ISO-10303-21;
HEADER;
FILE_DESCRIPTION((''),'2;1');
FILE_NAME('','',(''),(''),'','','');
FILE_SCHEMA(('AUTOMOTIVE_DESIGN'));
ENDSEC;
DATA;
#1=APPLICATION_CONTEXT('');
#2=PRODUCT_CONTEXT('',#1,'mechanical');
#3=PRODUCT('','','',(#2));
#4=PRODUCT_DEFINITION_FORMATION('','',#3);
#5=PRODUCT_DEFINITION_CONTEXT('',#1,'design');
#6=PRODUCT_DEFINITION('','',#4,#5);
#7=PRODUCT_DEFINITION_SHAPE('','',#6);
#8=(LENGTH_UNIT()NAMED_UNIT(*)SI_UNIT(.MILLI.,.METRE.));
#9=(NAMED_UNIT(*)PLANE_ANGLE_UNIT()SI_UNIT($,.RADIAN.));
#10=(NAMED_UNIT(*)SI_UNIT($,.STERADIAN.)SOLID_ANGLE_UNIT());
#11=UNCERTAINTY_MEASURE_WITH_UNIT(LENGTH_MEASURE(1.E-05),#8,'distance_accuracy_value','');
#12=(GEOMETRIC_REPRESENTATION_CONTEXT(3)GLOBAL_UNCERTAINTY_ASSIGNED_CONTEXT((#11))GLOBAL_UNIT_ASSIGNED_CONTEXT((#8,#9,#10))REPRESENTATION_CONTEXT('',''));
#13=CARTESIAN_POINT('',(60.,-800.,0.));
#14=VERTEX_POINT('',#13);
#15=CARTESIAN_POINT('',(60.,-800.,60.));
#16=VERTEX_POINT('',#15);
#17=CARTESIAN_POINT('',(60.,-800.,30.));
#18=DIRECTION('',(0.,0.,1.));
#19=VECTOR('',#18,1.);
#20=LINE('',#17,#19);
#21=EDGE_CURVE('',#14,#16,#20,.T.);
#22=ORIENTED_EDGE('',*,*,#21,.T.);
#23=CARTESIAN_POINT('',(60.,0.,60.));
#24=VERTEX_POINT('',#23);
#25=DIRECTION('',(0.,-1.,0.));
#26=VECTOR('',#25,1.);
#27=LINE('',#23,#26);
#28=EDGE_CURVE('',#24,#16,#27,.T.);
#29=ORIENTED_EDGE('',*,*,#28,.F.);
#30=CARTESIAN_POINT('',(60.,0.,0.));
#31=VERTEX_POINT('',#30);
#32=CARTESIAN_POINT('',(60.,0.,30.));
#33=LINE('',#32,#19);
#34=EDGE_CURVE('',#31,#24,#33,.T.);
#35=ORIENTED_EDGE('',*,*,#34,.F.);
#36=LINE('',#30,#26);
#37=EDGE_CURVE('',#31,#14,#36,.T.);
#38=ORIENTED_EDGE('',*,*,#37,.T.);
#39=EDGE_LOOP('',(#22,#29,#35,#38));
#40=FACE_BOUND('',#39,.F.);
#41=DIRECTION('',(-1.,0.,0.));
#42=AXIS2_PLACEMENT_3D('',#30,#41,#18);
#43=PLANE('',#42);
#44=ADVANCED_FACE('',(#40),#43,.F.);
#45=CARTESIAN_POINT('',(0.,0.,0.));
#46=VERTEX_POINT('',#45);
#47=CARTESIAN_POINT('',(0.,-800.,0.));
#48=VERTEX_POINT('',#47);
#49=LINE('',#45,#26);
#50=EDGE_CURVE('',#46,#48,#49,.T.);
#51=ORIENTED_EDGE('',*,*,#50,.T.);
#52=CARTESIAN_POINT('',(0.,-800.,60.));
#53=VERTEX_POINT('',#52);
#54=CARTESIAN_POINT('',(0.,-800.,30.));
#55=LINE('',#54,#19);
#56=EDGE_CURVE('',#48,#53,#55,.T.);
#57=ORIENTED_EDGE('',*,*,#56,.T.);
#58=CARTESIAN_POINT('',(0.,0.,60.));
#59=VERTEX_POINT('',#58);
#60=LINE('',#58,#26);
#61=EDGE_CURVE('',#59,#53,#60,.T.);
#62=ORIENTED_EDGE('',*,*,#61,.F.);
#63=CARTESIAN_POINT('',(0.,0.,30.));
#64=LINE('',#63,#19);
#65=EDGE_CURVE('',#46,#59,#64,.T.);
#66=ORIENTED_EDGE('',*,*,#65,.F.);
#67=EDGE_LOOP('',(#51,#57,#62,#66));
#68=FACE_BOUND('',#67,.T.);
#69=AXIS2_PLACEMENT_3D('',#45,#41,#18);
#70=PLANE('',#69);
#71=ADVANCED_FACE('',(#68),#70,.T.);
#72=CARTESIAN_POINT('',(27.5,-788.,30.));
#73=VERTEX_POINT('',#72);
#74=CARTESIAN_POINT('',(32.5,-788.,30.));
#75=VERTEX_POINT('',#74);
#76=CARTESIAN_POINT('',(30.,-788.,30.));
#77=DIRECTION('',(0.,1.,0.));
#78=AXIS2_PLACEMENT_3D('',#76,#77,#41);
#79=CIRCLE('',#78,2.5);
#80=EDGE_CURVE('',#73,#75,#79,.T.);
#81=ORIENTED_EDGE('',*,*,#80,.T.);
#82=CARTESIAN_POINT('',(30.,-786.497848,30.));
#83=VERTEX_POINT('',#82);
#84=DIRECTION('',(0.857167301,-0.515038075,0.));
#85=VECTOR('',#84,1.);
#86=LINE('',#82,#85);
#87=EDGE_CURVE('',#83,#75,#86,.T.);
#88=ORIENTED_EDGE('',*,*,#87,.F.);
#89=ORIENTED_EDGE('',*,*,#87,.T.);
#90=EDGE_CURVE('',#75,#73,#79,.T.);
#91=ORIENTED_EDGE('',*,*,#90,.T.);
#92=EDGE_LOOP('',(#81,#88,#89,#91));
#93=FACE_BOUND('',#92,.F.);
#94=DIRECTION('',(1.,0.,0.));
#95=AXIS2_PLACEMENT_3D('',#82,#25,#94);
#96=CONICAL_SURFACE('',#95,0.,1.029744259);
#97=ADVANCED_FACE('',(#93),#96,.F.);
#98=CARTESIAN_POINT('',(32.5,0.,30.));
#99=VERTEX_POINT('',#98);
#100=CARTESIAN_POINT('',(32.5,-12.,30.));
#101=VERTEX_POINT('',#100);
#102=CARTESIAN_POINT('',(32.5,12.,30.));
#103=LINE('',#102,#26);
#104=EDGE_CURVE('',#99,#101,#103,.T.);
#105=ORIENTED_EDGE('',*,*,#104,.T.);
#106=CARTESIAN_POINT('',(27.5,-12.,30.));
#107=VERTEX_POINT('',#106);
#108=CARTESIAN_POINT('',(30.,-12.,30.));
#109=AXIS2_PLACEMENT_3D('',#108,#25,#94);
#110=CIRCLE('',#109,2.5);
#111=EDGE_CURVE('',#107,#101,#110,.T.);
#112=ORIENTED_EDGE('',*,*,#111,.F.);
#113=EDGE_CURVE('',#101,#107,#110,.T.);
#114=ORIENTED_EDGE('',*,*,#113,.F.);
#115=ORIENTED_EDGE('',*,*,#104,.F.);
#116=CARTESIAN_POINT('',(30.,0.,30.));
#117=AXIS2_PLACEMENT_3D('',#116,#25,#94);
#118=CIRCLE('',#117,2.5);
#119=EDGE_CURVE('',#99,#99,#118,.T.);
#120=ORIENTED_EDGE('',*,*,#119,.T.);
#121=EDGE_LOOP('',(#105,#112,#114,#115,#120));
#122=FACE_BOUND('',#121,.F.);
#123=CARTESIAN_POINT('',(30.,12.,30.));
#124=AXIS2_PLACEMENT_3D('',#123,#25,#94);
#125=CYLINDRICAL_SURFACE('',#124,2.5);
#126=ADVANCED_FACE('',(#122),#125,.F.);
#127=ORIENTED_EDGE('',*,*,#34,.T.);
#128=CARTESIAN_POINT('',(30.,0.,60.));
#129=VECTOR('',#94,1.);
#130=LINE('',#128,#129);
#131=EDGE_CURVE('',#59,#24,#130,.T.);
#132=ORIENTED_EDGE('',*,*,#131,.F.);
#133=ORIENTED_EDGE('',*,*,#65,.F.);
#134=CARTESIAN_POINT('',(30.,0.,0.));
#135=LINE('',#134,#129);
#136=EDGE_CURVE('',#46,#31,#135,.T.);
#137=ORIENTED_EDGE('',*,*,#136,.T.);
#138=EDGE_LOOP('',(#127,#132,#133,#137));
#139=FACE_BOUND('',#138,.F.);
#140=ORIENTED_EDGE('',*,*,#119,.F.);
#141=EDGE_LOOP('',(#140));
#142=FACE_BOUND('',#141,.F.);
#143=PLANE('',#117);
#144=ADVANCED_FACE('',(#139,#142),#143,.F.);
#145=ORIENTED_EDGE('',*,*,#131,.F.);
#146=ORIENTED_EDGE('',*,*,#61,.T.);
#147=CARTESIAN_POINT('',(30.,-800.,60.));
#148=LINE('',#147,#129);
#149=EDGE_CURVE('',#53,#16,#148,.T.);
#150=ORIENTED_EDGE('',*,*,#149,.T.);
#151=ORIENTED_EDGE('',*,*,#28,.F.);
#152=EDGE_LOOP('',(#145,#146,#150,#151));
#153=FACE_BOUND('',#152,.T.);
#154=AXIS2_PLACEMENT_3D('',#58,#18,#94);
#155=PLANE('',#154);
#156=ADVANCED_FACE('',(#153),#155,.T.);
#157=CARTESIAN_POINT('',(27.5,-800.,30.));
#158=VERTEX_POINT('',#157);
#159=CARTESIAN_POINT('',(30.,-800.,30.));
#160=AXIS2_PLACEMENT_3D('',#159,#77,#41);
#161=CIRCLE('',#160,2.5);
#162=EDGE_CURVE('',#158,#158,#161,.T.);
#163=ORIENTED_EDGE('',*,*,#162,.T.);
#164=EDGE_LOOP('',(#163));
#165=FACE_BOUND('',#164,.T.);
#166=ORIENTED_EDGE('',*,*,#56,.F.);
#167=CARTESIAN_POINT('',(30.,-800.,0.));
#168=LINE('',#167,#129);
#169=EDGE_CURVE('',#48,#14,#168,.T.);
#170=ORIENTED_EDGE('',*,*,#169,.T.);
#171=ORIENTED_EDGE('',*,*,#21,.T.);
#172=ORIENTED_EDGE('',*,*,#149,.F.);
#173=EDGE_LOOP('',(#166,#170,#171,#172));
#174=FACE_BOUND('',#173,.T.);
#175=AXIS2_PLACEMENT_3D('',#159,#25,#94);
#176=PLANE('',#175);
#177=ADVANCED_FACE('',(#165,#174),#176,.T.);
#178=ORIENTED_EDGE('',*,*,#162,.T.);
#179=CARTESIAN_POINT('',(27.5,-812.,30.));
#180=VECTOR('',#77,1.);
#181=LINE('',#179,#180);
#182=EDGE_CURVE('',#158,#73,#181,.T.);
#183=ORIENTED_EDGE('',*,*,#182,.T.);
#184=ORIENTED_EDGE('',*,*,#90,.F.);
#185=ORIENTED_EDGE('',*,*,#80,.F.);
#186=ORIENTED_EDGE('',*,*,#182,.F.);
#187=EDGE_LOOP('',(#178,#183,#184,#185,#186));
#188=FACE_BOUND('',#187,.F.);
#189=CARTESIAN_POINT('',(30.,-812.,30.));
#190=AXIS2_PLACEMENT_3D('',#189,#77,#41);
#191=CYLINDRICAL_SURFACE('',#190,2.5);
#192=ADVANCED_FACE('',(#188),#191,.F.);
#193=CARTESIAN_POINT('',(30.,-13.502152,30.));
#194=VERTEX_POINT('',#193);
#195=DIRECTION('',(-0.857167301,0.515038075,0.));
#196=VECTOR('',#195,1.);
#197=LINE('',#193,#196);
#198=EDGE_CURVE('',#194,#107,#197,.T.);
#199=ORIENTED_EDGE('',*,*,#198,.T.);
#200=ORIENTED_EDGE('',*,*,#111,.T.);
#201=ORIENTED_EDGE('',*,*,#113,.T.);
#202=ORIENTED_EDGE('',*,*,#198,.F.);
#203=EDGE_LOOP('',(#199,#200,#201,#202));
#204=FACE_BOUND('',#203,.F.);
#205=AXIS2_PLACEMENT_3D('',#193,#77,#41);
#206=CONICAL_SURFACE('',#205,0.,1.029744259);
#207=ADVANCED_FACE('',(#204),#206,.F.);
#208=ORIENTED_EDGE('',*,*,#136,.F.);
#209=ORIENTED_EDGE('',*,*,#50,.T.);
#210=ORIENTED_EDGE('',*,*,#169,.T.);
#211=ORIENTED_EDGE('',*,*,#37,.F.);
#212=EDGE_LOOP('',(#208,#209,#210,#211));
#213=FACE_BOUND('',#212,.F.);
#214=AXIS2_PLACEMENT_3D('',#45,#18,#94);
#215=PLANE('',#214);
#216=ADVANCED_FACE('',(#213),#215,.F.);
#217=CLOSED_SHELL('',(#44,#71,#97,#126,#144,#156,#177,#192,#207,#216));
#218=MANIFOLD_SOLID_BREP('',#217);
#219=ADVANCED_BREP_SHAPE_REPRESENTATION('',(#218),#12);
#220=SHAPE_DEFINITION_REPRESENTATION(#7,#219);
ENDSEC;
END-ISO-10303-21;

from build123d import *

# Parameters (mm, degrees)
F3_W           = 60
F3_H           = 60
F4_DEPTH       = 800
F7_D           = 5
F7_DEPTH       = 12
F7_TIP         = 1.5021515476
F7_ON_F5_D     = 5
F7_ON_F5_DEPTH = 12
F7_ON_F5_TIP   = 1.5021515476


with BuildPart() as f4:
    # F3 (on Front) → F4 (new body)
    with BuildSketch(Plane.XZ):
        with Locations((30, 30)):
            Rectangle(F3_W, F3_H)
    extrude(amount=F4_DEPTH)

    # F7
    with Locations(Plane.XZ.offset(800)):
        with Locations((30, 30)):
            Hole(F7_D / 2, depth=F7_DEPTH)
            with Locations((0, 0, -(F7_DEPTH + F7_TIP / 2))):  # 118° drill point
                Cone(0, F7_D / 2, F7_TIP, mode=Mode.SUBTRACT)

    # F7 on F5
    with Locations(Plane(origin=(0, 0, 0), x_dir=(-1, 0, 0), z_dir=(0, 1, 0))):
        with Locations((-30, 30)):
            Hole(F7_ON_F5_D / 2, depth=F7_ON_F5_DEPTH)
            with Locations((0, 0, -(F7_ON_F5_DEPTH + F7_ON_F5_TIP / 2))):  # 118° drill point
                Cone(0, F7_ON_F5_D / 2, F7_ON_F5_TIP, mode=Mode.SUBTRACT)


solid = f4.part
